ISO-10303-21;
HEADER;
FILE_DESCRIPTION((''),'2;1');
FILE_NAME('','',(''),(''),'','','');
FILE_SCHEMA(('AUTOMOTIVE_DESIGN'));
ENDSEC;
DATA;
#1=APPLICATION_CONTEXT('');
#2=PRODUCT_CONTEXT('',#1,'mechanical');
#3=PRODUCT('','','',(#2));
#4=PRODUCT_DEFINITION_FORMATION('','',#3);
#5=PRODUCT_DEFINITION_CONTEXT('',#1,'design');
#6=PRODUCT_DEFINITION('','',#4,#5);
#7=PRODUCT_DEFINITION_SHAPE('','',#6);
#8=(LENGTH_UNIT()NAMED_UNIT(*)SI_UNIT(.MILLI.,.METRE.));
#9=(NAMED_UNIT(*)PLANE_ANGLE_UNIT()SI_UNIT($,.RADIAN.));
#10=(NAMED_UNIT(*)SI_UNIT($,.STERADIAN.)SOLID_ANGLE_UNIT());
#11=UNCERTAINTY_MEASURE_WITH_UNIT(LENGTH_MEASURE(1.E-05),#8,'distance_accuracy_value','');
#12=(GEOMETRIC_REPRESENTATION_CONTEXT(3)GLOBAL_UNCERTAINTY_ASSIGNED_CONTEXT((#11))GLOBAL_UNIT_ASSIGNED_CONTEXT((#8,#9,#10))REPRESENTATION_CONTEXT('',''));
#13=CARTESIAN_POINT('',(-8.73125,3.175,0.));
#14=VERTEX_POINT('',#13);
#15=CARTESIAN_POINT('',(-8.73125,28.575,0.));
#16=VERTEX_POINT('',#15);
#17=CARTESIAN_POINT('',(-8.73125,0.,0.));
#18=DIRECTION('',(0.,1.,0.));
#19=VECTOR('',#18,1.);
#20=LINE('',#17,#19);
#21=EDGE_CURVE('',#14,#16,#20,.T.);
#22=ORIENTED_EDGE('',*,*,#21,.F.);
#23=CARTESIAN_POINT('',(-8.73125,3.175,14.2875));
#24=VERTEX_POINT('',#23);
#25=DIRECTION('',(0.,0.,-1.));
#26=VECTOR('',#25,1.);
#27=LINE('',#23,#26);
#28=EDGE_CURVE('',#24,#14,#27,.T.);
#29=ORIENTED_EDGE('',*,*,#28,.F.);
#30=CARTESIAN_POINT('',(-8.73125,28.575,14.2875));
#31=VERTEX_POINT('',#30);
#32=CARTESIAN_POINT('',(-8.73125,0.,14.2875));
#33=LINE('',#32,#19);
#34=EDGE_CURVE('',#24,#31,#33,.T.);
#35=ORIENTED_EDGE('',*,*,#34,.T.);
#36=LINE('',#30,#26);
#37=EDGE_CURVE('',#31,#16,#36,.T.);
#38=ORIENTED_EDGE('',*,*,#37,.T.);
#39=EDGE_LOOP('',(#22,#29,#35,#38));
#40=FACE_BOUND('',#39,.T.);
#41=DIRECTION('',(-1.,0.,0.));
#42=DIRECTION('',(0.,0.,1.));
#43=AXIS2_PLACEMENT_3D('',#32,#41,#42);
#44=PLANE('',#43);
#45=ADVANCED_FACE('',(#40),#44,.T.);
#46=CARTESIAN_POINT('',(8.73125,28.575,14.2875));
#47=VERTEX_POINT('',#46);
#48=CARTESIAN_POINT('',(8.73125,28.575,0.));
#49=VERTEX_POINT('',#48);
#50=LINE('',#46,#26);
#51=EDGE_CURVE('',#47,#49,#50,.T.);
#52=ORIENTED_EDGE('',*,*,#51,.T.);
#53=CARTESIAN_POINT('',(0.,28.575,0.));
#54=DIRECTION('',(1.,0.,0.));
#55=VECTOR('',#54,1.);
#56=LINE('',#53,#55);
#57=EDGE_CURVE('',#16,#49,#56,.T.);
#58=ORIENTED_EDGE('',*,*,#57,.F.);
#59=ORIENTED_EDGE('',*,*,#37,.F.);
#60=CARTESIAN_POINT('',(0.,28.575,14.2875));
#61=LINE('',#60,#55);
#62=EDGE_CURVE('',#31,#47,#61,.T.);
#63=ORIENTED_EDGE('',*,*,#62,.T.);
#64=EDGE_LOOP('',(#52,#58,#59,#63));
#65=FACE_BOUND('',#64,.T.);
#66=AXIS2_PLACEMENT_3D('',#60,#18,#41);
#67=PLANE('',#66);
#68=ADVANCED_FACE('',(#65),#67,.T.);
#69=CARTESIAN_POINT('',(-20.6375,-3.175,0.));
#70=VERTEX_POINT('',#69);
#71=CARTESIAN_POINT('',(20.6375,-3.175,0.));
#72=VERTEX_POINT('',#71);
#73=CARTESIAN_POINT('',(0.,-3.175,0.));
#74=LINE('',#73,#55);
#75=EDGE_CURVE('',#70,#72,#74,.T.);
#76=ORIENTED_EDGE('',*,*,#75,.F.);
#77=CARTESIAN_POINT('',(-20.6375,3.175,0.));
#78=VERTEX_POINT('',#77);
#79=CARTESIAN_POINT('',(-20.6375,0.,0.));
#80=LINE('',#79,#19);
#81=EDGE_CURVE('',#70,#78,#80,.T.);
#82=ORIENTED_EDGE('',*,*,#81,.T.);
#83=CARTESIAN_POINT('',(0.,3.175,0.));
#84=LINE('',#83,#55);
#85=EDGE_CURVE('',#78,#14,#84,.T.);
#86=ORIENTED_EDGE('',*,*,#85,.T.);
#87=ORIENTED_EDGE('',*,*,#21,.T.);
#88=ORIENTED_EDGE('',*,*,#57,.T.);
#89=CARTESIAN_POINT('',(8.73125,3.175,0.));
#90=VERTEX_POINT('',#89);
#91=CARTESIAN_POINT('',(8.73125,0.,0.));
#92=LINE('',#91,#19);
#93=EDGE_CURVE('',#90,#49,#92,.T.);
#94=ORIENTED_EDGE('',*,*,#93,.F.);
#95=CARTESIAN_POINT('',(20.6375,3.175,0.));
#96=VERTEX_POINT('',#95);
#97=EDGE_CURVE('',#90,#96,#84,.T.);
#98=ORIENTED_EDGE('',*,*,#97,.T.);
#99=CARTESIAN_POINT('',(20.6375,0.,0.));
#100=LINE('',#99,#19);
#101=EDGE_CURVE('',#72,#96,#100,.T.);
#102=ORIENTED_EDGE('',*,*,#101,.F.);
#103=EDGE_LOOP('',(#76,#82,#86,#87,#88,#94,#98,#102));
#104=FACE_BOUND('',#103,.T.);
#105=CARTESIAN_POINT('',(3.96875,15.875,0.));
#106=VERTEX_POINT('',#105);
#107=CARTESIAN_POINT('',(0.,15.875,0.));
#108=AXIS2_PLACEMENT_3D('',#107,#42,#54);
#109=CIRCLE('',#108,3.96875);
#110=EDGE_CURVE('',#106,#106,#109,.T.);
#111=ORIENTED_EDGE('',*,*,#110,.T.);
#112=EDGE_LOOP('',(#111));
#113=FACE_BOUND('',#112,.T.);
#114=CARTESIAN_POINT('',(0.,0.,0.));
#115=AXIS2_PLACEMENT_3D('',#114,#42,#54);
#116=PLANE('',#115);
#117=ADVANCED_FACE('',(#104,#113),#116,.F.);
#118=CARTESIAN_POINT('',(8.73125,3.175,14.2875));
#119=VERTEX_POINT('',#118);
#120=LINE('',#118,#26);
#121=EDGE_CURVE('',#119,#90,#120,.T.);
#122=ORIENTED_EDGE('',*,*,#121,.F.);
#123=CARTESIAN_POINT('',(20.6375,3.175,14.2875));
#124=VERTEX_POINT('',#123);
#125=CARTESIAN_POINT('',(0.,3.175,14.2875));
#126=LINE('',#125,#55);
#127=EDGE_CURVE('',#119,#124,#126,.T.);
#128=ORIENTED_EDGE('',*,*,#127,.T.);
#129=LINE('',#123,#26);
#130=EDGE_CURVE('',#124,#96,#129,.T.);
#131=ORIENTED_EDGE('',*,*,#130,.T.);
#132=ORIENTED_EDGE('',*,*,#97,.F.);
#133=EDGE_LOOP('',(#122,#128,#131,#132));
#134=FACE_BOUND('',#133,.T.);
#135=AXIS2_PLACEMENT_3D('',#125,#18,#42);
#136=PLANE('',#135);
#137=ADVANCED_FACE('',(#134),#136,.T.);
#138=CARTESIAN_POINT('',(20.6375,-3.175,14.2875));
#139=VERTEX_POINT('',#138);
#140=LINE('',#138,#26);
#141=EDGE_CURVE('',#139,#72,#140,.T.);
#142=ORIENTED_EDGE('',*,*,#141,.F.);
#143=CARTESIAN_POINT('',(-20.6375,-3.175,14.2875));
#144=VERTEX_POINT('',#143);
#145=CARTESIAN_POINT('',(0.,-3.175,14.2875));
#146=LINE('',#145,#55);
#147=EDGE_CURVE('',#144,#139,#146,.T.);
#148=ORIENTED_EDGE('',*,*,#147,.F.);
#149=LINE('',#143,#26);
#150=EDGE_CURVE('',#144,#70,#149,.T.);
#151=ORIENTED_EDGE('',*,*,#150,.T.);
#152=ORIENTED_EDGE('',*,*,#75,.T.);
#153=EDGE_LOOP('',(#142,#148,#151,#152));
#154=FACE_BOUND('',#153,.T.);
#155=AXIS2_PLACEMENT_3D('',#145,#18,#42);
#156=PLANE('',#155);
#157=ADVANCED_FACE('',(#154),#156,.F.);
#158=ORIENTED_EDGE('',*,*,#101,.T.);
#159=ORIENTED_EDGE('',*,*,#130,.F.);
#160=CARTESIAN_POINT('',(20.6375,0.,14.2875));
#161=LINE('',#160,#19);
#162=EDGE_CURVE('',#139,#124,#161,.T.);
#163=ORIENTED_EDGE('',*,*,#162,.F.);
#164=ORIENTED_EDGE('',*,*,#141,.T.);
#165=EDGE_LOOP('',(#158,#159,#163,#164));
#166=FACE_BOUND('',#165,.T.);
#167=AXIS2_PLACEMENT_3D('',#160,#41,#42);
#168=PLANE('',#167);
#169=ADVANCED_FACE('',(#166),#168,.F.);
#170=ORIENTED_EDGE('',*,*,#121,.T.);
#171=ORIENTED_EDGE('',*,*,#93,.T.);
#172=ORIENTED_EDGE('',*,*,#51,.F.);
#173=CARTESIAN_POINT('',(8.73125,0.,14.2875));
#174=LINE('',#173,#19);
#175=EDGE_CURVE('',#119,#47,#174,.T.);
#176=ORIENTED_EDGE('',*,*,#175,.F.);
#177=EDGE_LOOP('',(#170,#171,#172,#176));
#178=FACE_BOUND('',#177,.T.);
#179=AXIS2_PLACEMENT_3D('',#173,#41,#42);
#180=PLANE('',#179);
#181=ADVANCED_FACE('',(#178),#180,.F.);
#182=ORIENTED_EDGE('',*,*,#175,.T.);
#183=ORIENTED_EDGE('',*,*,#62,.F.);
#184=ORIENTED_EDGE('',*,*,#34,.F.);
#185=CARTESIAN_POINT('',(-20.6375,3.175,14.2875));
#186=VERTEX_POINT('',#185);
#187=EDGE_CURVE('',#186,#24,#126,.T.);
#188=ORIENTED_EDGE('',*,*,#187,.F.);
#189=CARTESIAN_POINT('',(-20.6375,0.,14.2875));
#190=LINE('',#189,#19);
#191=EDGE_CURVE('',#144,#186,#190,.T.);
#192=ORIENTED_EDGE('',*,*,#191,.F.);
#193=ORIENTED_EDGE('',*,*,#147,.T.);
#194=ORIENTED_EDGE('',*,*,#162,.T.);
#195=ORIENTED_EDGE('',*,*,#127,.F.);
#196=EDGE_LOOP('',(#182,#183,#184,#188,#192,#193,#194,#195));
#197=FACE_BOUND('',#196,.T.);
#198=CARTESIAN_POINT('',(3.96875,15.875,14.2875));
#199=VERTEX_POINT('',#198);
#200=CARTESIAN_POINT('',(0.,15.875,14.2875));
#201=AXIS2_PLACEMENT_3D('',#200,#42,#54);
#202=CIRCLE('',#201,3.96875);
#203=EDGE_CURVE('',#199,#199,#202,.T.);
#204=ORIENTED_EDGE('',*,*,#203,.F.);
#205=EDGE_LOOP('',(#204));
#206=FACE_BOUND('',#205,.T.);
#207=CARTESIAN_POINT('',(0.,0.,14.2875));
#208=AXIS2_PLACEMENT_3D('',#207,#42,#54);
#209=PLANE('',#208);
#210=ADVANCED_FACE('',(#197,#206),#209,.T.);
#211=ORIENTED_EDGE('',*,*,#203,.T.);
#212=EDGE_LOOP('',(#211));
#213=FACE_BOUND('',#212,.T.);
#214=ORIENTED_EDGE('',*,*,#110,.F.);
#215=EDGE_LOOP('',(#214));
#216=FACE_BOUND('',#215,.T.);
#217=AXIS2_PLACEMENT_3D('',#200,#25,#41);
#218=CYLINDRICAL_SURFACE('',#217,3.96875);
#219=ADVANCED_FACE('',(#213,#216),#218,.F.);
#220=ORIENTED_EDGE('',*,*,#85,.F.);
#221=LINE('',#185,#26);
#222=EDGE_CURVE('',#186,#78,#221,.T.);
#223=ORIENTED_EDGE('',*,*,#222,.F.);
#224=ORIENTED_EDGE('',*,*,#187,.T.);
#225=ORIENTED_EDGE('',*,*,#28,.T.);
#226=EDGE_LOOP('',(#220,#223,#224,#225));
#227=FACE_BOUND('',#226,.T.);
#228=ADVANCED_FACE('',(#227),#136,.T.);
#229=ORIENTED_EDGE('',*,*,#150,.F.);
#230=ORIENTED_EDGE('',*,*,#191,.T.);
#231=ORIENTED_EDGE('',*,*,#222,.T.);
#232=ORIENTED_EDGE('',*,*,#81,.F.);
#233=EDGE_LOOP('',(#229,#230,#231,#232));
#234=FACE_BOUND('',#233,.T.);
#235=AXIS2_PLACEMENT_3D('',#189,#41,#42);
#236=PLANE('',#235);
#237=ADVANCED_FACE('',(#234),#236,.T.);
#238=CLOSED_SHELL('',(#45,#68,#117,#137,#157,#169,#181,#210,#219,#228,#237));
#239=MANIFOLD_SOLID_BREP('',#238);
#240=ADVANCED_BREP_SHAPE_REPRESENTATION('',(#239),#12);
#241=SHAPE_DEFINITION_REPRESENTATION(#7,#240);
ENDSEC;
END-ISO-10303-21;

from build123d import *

# Parameters (mm, degrees)
SKETCH1_W           = 41.275
SKETCH1_H           = 6.35
SKETCH1_W_2         = 17.4625
SKETCH1_H_2         = 25.4
SKETCH1_R           = 3.96875
BOSS_EXTRUDE1_DEPTH = 14.2875


with BuildPart() as part:
    # Sketch1 → Boss-Extrude1 (new body)
    # profile 1 of 2: a face of its own
    with BuildSketch(Plane.XY):
        Rectangle(SKETCH1_W, SKETCH1_H)
    # profile 2 of 2: a face of its own
    with BuildSketch(Plane.XY):
        with Locations((0, 15.875)):
            Rectangle(SKETCH1_W_2, SKETCH1_H_2)
        with Locations((0, 15.875)):
            Circle(SKETCH1_R, mode=Mode.SUBTRACT)
    extrude(amount=BOSS_EXTRUDE1_DEPTH)


solid = part.part
